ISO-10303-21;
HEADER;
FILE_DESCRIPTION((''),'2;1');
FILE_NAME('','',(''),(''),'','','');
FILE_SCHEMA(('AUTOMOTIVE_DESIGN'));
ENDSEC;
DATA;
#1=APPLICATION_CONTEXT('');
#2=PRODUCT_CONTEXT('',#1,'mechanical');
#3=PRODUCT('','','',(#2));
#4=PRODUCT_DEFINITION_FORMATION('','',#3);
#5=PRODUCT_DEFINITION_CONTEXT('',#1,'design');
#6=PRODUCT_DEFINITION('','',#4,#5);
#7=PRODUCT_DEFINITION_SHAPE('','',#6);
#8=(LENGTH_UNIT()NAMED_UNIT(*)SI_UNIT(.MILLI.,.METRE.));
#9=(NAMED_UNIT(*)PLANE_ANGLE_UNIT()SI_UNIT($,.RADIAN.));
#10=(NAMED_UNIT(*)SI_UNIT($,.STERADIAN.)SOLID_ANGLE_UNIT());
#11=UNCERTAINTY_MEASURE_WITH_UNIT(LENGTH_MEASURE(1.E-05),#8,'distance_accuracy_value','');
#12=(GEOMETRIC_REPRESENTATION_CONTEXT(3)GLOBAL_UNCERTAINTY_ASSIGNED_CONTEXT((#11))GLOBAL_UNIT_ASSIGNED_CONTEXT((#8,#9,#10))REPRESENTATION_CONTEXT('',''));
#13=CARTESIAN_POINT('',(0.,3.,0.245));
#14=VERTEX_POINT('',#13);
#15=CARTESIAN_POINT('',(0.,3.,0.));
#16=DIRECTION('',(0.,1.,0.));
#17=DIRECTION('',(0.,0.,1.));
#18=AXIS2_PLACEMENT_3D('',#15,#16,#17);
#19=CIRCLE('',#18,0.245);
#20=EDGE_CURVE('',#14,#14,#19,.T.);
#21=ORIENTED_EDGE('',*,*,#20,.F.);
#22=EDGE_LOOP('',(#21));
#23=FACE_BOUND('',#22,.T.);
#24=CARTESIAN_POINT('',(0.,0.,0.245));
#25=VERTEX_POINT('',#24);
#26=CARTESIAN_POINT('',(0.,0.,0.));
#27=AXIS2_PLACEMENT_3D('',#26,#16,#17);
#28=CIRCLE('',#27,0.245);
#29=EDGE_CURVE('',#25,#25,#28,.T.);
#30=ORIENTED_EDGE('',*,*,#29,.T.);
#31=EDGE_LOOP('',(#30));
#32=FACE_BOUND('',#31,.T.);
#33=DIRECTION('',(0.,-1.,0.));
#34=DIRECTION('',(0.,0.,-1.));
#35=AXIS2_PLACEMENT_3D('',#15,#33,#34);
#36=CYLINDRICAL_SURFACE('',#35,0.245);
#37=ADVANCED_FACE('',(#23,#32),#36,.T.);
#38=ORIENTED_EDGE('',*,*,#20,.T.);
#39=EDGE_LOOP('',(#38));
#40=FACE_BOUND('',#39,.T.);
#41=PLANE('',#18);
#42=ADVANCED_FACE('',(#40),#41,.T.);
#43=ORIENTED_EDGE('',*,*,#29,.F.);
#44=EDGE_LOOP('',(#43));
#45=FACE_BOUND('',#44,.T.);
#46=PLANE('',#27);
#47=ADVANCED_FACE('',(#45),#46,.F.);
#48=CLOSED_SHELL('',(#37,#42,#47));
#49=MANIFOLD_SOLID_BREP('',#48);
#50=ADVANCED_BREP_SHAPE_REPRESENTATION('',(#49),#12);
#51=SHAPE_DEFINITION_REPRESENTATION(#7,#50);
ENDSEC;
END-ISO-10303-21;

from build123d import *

# Parameters (mm, degrees)
SKETCH1_R           = 0.245
BOSS_EXTRUDE1_DEPTH = 3


with BuildPart() as part:
    # Sketch1 → Boss-Extrude1 (new body)
    with BuildSketch(Plane(origin=(0, 0, 0), x_dir=(1, 0, 0), z_dir=(0, 1, 0))):
        Circle(SKETCH1_R)
    extrude(amount=BOSS_EXTRUDE1_DEPTH)


solid = part.part
